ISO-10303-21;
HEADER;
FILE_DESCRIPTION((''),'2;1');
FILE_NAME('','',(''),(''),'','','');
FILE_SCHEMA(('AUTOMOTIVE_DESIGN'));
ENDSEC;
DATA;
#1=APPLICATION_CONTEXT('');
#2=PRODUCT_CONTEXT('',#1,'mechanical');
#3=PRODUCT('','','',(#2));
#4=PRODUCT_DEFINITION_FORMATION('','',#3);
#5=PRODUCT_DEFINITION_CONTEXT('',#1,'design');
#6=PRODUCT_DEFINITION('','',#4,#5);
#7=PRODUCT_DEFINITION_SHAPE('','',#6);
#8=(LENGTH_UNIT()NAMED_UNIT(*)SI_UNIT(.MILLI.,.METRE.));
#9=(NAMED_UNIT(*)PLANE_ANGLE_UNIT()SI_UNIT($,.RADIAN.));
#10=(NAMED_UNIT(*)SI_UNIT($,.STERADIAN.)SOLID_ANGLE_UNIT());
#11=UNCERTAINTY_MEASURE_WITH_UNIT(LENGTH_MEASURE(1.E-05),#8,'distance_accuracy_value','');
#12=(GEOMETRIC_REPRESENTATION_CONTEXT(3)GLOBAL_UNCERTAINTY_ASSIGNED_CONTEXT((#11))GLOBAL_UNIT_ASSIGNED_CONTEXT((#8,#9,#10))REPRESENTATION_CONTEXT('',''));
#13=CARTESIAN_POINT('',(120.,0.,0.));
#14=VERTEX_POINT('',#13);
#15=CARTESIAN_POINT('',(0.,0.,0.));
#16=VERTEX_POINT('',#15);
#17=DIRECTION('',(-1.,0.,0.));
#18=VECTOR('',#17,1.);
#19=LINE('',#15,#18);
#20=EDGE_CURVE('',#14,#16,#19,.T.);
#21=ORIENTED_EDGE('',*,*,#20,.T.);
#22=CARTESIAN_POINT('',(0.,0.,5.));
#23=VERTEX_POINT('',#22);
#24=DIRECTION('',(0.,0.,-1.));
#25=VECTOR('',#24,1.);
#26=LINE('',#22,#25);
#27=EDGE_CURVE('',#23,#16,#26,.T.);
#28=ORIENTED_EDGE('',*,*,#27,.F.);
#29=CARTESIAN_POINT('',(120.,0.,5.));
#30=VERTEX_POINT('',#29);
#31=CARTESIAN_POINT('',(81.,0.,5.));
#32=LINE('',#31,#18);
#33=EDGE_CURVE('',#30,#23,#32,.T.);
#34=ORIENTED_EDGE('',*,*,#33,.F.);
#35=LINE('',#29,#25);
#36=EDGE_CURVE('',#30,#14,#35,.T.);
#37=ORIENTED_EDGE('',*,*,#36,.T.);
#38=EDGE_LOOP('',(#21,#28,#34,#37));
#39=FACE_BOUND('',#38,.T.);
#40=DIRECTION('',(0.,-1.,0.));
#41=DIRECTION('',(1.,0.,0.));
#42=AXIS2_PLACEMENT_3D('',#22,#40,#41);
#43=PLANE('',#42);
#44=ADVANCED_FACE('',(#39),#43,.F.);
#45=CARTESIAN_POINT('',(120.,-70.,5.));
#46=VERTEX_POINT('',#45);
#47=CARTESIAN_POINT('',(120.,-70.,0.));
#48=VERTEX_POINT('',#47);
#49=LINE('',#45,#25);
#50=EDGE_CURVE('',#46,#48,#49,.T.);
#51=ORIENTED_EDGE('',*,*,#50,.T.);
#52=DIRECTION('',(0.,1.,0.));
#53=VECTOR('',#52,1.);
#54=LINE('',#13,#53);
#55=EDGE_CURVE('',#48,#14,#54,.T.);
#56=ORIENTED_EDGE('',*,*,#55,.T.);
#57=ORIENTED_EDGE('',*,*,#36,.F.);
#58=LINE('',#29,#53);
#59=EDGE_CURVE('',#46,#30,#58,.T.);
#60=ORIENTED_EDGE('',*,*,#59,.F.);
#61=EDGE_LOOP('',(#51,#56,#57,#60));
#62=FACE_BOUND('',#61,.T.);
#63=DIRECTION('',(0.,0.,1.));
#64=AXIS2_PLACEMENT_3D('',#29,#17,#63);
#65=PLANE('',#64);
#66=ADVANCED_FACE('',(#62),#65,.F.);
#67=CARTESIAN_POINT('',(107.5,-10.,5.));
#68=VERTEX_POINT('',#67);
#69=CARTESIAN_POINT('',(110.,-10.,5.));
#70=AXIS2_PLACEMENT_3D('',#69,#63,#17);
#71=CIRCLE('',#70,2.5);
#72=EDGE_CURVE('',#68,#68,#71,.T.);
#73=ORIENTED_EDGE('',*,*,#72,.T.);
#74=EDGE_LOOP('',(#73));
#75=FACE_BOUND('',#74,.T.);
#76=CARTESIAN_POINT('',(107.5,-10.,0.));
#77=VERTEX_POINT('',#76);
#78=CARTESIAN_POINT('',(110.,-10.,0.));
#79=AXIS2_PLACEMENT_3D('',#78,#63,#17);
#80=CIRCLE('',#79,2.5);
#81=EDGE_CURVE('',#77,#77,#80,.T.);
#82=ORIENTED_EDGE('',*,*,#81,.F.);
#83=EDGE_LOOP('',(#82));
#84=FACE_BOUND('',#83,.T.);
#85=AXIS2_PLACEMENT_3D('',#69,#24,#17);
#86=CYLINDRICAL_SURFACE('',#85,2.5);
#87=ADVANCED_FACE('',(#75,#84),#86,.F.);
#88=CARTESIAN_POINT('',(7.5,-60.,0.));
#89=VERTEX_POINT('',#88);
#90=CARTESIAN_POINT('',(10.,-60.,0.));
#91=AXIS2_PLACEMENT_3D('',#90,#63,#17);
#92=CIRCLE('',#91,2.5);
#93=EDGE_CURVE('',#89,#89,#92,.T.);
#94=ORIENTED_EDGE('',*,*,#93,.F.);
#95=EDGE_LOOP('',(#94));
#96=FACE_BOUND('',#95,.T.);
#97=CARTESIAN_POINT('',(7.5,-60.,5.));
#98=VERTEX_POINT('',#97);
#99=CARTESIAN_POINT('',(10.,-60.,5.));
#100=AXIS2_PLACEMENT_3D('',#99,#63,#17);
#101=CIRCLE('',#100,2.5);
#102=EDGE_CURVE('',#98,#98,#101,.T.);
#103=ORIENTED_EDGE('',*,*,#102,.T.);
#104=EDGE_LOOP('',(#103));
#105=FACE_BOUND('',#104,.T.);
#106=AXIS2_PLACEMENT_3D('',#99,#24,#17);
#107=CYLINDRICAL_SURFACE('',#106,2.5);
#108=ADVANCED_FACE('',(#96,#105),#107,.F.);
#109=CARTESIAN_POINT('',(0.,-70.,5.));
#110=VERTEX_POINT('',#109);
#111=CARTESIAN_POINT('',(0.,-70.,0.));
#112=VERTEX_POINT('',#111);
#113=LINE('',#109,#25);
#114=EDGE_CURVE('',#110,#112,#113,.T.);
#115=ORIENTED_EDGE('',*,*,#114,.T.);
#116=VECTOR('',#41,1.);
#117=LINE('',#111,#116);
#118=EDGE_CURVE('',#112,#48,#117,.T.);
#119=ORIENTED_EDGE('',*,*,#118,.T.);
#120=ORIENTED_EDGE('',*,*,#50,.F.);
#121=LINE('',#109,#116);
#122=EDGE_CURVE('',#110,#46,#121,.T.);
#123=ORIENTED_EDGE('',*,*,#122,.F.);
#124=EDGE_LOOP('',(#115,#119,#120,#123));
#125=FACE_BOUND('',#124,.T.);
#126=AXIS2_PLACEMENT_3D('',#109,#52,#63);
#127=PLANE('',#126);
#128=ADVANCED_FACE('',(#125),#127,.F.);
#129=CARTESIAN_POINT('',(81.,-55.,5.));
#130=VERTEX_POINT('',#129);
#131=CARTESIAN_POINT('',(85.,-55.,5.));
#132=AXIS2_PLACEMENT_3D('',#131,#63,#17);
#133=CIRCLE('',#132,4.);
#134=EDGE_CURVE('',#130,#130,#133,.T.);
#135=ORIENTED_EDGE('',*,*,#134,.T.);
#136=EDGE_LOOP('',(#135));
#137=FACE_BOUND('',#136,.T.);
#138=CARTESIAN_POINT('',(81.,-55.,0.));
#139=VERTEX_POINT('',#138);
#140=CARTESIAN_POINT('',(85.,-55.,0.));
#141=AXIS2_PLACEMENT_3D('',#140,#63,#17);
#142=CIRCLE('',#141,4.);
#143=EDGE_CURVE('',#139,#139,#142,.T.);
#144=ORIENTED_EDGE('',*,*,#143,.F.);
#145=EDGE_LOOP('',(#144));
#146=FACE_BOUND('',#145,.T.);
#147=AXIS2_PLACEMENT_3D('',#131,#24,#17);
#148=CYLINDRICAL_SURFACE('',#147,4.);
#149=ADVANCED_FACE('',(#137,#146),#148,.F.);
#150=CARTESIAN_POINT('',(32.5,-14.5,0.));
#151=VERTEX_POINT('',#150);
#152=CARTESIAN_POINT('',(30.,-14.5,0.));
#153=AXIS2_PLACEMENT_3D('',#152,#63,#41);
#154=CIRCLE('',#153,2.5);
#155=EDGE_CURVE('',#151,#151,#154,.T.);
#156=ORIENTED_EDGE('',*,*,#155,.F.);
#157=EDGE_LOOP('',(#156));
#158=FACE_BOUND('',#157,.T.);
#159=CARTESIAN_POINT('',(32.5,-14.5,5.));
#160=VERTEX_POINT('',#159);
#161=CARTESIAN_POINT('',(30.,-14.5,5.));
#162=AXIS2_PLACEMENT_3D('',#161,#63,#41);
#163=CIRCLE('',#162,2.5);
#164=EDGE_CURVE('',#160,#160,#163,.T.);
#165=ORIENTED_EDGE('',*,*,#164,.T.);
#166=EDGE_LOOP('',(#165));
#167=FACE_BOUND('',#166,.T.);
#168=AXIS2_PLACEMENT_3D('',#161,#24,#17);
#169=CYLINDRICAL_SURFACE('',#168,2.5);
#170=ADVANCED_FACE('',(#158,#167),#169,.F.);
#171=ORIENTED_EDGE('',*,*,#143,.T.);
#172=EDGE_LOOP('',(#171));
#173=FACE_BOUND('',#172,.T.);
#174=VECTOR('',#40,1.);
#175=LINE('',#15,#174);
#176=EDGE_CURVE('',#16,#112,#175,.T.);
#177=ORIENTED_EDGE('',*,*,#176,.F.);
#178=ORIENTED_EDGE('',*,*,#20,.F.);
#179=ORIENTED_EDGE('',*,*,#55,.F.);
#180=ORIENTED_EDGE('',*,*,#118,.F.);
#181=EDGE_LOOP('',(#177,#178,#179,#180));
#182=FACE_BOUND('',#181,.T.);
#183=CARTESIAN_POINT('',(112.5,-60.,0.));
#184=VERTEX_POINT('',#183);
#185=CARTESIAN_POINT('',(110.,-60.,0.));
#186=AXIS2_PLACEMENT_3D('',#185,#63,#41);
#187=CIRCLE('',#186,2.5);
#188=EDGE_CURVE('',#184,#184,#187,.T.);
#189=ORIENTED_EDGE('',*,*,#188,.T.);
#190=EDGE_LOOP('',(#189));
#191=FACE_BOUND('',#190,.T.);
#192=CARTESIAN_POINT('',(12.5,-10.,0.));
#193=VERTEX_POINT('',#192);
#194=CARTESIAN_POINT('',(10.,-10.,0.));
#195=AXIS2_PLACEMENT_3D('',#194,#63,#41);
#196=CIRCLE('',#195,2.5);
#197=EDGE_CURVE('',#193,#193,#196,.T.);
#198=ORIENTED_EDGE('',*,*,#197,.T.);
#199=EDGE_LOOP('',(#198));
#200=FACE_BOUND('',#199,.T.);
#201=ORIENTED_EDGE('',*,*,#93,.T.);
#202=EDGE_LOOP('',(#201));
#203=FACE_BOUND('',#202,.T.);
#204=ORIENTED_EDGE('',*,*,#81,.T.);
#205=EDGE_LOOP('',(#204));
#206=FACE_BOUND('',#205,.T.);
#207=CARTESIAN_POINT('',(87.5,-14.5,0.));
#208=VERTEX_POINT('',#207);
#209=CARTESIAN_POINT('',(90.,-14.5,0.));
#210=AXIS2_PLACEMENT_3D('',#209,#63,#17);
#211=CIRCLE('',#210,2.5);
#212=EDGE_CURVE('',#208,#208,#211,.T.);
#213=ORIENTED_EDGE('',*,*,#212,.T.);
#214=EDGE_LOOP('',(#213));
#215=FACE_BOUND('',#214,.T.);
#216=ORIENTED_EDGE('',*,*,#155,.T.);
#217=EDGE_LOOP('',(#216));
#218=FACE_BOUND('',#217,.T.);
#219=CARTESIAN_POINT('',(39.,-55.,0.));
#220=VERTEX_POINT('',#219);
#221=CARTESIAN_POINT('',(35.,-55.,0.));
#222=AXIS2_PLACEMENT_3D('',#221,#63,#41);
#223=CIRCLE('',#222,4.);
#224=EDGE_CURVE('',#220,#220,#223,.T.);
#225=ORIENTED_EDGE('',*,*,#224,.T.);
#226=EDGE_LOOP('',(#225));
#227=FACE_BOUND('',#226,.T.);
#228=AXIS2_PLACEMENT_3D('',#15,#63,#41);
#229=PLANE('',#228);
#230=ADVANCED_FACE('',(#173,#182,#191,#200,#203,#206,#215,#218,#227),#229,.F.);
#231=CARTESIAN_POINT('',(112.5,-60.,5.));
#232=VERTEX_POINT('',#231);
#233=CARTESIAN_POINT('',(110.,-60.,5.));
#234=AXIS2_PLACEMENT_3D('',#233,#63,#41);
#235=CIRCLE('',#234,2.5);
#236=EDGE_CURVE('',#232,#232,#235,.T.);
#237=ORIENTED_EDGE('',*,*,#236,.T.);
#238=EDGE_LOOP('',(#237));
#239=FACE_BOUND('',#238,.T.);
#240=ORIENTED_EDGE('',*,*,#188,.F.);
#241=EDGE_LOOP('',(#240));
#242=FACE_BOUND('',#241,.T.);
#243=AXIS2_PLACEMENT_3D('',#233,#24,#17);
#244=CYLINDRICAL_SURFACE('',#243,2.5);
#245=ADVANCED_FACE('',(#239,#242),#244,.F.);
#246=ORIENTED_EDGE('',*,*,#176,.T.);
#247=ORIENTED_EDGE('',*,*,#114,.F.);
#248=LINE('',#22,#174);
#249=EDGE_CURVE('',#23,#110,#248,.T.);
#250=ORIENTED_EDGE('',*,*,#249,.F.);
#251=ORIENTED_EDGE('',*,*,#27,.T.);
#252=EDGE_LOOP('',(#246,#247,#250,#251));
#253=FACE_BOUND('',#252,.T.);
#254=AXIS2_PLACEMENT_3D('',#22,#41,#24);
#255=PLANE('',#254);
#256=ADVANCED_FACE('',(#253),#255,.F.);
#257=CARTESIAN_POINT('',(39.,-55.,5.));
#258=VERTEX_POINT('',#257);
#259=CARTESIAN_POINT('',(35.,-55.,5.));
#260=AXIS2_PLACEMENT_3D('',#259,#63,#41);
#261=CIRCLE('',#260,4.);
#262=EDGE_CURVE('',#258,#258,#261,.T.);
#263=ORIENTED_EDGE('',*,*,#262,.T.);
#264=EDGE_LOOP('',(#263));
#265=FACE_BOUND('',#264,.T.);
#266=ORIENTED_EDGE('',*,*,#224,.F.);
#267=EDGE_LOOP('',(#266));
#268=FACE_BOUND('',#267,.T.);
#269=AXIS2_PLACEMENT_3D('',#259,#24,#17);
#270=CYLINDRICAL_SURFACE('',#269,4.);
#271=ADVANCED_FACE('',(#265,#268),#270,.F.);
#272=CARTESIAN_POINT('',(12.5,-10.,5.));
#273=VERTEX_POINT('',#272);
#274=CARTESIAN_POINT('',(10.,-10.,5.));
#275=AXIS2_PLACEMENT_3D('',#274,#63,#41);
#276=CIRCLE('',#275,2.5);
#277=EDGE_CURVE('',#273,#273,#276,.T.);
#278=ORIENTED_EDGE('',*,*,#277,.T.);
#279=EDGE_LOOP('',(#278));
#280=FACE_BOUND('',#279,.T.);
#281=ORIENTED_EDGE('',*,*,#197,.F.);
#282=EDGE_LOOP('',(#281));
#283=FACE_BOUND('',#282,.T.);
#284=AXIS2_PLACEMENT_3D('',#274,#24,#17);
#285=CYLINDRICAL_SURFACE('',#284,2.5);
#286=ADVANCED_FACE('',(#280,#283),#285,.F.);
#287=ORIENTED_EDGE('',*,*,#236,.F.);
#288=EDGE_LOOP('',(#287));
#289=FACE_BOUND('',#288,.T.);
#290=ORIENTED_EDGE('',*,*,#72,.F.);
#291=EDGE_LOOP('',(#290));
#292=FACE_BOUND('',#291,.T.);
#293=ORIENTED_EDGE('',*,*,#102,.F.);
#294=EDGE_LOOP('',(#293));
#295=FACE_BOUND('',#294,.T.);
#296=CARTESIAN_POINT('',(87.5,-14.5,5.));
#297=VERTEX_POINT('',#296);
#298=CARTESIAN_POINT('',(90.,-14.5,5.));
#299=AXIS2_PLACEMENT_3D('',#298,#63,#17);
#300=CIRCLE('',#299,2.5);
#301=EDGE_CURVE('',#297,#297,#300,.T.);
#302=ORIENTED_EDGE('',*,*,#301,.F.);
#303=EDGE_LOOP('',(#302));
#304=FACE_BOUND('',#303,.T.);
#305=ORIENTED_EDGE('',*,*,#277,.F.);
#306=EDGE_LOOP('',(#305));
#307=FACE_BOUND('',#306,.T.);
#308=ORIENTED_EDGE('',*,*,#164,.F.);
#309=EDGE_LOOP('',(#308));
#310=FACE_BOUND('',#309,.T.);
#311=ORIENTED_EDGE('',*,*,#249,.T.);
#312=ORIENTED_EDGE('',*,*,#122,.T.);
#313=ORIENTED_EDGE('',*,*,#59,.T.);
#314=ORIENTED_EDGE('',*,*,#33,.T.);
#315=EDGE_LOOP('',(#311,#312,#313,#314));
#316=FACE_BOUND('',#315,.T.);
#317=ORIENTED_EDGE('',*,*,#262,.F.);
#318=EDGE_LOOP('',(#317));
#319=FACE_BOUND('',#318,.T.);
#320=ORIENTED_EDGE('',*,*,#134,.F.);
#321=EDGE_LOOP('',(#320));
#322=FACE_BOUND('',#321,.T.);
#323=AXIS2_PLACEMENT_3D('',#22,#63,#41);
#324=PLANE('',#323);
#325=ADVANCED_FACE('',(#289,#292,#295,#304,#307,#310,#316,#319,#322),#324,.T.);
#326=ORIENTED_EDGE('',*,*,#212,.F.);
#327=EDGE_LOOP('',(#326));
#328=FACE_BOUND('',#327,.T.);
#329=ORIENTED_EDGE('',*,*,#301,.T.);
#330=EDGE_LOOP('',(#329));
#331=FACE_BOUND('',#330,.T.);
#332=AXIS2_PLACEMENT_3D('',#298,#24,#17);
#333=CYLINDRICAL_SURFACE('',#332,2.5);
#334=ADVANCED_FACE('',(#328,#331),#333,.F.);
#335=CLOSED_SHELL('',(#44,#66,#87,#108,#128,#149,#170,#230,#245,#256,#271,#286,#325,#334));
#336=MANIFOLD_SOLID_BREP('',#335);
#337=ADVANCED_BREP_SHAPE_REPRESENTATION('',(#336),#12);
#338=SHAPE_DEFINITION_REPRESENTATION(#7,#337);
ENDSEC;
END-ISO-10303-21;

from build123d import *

# Parameters (mm, degrees)
SKETCH1_R           = 4
SKETCH1_R_2         = 2.5
BOSS_EXTRUDE1_DEPTH = 5


with BuildPart() as part:
    # Sketch1 → Boss-Extrude1 (new body)
    with BuildSketch(Plane.XY):
        Polygon((0, 0), (39, 0), (81, 0), (120, 0), (120, -70), (0, -70), align=None)
        with Locations((35, -55)):
            Circle(SKETCH1_R, mode=Mode.SUBTRACT)
        with Locations(Location((85, -55, 0), (0, 0, 180))):
            Circle(SKETCH1_R, mode=Mode.SUBTRACT)
        with Locations((10, -10)):
            Circle(SKETCH1_R_2, mode=Mode.SUBTRACT)
        with Locations(Location((110, -10, 0), (0, 0, 180))):
            Circle(SKETCH1_R_2, mode=Mode.SUBTRACT)
        with Locations((110, -60)):
            Circle(SKETCH1_R_2, mode=Mode.SUBTRACT)
        with Locations(Location((10, -60, 0), (0, 0, 180))):
            Circle(SKETCH1_R_2, mode=Mode.SUBTRACT)
        with Locations((30, -14.5)):
            Circle(SKETCH1_R_2, mode=Mode.SUBTRACT)
        with Locations(Location((90, -14.5, 0), (0, 0, 180))):
            Circle(SKETCH1_R_2, mode=Mode.SUBTRACT)
    extrude(amount=BOSS_EXTRUDE1_DEPTH)


solid = part.part
